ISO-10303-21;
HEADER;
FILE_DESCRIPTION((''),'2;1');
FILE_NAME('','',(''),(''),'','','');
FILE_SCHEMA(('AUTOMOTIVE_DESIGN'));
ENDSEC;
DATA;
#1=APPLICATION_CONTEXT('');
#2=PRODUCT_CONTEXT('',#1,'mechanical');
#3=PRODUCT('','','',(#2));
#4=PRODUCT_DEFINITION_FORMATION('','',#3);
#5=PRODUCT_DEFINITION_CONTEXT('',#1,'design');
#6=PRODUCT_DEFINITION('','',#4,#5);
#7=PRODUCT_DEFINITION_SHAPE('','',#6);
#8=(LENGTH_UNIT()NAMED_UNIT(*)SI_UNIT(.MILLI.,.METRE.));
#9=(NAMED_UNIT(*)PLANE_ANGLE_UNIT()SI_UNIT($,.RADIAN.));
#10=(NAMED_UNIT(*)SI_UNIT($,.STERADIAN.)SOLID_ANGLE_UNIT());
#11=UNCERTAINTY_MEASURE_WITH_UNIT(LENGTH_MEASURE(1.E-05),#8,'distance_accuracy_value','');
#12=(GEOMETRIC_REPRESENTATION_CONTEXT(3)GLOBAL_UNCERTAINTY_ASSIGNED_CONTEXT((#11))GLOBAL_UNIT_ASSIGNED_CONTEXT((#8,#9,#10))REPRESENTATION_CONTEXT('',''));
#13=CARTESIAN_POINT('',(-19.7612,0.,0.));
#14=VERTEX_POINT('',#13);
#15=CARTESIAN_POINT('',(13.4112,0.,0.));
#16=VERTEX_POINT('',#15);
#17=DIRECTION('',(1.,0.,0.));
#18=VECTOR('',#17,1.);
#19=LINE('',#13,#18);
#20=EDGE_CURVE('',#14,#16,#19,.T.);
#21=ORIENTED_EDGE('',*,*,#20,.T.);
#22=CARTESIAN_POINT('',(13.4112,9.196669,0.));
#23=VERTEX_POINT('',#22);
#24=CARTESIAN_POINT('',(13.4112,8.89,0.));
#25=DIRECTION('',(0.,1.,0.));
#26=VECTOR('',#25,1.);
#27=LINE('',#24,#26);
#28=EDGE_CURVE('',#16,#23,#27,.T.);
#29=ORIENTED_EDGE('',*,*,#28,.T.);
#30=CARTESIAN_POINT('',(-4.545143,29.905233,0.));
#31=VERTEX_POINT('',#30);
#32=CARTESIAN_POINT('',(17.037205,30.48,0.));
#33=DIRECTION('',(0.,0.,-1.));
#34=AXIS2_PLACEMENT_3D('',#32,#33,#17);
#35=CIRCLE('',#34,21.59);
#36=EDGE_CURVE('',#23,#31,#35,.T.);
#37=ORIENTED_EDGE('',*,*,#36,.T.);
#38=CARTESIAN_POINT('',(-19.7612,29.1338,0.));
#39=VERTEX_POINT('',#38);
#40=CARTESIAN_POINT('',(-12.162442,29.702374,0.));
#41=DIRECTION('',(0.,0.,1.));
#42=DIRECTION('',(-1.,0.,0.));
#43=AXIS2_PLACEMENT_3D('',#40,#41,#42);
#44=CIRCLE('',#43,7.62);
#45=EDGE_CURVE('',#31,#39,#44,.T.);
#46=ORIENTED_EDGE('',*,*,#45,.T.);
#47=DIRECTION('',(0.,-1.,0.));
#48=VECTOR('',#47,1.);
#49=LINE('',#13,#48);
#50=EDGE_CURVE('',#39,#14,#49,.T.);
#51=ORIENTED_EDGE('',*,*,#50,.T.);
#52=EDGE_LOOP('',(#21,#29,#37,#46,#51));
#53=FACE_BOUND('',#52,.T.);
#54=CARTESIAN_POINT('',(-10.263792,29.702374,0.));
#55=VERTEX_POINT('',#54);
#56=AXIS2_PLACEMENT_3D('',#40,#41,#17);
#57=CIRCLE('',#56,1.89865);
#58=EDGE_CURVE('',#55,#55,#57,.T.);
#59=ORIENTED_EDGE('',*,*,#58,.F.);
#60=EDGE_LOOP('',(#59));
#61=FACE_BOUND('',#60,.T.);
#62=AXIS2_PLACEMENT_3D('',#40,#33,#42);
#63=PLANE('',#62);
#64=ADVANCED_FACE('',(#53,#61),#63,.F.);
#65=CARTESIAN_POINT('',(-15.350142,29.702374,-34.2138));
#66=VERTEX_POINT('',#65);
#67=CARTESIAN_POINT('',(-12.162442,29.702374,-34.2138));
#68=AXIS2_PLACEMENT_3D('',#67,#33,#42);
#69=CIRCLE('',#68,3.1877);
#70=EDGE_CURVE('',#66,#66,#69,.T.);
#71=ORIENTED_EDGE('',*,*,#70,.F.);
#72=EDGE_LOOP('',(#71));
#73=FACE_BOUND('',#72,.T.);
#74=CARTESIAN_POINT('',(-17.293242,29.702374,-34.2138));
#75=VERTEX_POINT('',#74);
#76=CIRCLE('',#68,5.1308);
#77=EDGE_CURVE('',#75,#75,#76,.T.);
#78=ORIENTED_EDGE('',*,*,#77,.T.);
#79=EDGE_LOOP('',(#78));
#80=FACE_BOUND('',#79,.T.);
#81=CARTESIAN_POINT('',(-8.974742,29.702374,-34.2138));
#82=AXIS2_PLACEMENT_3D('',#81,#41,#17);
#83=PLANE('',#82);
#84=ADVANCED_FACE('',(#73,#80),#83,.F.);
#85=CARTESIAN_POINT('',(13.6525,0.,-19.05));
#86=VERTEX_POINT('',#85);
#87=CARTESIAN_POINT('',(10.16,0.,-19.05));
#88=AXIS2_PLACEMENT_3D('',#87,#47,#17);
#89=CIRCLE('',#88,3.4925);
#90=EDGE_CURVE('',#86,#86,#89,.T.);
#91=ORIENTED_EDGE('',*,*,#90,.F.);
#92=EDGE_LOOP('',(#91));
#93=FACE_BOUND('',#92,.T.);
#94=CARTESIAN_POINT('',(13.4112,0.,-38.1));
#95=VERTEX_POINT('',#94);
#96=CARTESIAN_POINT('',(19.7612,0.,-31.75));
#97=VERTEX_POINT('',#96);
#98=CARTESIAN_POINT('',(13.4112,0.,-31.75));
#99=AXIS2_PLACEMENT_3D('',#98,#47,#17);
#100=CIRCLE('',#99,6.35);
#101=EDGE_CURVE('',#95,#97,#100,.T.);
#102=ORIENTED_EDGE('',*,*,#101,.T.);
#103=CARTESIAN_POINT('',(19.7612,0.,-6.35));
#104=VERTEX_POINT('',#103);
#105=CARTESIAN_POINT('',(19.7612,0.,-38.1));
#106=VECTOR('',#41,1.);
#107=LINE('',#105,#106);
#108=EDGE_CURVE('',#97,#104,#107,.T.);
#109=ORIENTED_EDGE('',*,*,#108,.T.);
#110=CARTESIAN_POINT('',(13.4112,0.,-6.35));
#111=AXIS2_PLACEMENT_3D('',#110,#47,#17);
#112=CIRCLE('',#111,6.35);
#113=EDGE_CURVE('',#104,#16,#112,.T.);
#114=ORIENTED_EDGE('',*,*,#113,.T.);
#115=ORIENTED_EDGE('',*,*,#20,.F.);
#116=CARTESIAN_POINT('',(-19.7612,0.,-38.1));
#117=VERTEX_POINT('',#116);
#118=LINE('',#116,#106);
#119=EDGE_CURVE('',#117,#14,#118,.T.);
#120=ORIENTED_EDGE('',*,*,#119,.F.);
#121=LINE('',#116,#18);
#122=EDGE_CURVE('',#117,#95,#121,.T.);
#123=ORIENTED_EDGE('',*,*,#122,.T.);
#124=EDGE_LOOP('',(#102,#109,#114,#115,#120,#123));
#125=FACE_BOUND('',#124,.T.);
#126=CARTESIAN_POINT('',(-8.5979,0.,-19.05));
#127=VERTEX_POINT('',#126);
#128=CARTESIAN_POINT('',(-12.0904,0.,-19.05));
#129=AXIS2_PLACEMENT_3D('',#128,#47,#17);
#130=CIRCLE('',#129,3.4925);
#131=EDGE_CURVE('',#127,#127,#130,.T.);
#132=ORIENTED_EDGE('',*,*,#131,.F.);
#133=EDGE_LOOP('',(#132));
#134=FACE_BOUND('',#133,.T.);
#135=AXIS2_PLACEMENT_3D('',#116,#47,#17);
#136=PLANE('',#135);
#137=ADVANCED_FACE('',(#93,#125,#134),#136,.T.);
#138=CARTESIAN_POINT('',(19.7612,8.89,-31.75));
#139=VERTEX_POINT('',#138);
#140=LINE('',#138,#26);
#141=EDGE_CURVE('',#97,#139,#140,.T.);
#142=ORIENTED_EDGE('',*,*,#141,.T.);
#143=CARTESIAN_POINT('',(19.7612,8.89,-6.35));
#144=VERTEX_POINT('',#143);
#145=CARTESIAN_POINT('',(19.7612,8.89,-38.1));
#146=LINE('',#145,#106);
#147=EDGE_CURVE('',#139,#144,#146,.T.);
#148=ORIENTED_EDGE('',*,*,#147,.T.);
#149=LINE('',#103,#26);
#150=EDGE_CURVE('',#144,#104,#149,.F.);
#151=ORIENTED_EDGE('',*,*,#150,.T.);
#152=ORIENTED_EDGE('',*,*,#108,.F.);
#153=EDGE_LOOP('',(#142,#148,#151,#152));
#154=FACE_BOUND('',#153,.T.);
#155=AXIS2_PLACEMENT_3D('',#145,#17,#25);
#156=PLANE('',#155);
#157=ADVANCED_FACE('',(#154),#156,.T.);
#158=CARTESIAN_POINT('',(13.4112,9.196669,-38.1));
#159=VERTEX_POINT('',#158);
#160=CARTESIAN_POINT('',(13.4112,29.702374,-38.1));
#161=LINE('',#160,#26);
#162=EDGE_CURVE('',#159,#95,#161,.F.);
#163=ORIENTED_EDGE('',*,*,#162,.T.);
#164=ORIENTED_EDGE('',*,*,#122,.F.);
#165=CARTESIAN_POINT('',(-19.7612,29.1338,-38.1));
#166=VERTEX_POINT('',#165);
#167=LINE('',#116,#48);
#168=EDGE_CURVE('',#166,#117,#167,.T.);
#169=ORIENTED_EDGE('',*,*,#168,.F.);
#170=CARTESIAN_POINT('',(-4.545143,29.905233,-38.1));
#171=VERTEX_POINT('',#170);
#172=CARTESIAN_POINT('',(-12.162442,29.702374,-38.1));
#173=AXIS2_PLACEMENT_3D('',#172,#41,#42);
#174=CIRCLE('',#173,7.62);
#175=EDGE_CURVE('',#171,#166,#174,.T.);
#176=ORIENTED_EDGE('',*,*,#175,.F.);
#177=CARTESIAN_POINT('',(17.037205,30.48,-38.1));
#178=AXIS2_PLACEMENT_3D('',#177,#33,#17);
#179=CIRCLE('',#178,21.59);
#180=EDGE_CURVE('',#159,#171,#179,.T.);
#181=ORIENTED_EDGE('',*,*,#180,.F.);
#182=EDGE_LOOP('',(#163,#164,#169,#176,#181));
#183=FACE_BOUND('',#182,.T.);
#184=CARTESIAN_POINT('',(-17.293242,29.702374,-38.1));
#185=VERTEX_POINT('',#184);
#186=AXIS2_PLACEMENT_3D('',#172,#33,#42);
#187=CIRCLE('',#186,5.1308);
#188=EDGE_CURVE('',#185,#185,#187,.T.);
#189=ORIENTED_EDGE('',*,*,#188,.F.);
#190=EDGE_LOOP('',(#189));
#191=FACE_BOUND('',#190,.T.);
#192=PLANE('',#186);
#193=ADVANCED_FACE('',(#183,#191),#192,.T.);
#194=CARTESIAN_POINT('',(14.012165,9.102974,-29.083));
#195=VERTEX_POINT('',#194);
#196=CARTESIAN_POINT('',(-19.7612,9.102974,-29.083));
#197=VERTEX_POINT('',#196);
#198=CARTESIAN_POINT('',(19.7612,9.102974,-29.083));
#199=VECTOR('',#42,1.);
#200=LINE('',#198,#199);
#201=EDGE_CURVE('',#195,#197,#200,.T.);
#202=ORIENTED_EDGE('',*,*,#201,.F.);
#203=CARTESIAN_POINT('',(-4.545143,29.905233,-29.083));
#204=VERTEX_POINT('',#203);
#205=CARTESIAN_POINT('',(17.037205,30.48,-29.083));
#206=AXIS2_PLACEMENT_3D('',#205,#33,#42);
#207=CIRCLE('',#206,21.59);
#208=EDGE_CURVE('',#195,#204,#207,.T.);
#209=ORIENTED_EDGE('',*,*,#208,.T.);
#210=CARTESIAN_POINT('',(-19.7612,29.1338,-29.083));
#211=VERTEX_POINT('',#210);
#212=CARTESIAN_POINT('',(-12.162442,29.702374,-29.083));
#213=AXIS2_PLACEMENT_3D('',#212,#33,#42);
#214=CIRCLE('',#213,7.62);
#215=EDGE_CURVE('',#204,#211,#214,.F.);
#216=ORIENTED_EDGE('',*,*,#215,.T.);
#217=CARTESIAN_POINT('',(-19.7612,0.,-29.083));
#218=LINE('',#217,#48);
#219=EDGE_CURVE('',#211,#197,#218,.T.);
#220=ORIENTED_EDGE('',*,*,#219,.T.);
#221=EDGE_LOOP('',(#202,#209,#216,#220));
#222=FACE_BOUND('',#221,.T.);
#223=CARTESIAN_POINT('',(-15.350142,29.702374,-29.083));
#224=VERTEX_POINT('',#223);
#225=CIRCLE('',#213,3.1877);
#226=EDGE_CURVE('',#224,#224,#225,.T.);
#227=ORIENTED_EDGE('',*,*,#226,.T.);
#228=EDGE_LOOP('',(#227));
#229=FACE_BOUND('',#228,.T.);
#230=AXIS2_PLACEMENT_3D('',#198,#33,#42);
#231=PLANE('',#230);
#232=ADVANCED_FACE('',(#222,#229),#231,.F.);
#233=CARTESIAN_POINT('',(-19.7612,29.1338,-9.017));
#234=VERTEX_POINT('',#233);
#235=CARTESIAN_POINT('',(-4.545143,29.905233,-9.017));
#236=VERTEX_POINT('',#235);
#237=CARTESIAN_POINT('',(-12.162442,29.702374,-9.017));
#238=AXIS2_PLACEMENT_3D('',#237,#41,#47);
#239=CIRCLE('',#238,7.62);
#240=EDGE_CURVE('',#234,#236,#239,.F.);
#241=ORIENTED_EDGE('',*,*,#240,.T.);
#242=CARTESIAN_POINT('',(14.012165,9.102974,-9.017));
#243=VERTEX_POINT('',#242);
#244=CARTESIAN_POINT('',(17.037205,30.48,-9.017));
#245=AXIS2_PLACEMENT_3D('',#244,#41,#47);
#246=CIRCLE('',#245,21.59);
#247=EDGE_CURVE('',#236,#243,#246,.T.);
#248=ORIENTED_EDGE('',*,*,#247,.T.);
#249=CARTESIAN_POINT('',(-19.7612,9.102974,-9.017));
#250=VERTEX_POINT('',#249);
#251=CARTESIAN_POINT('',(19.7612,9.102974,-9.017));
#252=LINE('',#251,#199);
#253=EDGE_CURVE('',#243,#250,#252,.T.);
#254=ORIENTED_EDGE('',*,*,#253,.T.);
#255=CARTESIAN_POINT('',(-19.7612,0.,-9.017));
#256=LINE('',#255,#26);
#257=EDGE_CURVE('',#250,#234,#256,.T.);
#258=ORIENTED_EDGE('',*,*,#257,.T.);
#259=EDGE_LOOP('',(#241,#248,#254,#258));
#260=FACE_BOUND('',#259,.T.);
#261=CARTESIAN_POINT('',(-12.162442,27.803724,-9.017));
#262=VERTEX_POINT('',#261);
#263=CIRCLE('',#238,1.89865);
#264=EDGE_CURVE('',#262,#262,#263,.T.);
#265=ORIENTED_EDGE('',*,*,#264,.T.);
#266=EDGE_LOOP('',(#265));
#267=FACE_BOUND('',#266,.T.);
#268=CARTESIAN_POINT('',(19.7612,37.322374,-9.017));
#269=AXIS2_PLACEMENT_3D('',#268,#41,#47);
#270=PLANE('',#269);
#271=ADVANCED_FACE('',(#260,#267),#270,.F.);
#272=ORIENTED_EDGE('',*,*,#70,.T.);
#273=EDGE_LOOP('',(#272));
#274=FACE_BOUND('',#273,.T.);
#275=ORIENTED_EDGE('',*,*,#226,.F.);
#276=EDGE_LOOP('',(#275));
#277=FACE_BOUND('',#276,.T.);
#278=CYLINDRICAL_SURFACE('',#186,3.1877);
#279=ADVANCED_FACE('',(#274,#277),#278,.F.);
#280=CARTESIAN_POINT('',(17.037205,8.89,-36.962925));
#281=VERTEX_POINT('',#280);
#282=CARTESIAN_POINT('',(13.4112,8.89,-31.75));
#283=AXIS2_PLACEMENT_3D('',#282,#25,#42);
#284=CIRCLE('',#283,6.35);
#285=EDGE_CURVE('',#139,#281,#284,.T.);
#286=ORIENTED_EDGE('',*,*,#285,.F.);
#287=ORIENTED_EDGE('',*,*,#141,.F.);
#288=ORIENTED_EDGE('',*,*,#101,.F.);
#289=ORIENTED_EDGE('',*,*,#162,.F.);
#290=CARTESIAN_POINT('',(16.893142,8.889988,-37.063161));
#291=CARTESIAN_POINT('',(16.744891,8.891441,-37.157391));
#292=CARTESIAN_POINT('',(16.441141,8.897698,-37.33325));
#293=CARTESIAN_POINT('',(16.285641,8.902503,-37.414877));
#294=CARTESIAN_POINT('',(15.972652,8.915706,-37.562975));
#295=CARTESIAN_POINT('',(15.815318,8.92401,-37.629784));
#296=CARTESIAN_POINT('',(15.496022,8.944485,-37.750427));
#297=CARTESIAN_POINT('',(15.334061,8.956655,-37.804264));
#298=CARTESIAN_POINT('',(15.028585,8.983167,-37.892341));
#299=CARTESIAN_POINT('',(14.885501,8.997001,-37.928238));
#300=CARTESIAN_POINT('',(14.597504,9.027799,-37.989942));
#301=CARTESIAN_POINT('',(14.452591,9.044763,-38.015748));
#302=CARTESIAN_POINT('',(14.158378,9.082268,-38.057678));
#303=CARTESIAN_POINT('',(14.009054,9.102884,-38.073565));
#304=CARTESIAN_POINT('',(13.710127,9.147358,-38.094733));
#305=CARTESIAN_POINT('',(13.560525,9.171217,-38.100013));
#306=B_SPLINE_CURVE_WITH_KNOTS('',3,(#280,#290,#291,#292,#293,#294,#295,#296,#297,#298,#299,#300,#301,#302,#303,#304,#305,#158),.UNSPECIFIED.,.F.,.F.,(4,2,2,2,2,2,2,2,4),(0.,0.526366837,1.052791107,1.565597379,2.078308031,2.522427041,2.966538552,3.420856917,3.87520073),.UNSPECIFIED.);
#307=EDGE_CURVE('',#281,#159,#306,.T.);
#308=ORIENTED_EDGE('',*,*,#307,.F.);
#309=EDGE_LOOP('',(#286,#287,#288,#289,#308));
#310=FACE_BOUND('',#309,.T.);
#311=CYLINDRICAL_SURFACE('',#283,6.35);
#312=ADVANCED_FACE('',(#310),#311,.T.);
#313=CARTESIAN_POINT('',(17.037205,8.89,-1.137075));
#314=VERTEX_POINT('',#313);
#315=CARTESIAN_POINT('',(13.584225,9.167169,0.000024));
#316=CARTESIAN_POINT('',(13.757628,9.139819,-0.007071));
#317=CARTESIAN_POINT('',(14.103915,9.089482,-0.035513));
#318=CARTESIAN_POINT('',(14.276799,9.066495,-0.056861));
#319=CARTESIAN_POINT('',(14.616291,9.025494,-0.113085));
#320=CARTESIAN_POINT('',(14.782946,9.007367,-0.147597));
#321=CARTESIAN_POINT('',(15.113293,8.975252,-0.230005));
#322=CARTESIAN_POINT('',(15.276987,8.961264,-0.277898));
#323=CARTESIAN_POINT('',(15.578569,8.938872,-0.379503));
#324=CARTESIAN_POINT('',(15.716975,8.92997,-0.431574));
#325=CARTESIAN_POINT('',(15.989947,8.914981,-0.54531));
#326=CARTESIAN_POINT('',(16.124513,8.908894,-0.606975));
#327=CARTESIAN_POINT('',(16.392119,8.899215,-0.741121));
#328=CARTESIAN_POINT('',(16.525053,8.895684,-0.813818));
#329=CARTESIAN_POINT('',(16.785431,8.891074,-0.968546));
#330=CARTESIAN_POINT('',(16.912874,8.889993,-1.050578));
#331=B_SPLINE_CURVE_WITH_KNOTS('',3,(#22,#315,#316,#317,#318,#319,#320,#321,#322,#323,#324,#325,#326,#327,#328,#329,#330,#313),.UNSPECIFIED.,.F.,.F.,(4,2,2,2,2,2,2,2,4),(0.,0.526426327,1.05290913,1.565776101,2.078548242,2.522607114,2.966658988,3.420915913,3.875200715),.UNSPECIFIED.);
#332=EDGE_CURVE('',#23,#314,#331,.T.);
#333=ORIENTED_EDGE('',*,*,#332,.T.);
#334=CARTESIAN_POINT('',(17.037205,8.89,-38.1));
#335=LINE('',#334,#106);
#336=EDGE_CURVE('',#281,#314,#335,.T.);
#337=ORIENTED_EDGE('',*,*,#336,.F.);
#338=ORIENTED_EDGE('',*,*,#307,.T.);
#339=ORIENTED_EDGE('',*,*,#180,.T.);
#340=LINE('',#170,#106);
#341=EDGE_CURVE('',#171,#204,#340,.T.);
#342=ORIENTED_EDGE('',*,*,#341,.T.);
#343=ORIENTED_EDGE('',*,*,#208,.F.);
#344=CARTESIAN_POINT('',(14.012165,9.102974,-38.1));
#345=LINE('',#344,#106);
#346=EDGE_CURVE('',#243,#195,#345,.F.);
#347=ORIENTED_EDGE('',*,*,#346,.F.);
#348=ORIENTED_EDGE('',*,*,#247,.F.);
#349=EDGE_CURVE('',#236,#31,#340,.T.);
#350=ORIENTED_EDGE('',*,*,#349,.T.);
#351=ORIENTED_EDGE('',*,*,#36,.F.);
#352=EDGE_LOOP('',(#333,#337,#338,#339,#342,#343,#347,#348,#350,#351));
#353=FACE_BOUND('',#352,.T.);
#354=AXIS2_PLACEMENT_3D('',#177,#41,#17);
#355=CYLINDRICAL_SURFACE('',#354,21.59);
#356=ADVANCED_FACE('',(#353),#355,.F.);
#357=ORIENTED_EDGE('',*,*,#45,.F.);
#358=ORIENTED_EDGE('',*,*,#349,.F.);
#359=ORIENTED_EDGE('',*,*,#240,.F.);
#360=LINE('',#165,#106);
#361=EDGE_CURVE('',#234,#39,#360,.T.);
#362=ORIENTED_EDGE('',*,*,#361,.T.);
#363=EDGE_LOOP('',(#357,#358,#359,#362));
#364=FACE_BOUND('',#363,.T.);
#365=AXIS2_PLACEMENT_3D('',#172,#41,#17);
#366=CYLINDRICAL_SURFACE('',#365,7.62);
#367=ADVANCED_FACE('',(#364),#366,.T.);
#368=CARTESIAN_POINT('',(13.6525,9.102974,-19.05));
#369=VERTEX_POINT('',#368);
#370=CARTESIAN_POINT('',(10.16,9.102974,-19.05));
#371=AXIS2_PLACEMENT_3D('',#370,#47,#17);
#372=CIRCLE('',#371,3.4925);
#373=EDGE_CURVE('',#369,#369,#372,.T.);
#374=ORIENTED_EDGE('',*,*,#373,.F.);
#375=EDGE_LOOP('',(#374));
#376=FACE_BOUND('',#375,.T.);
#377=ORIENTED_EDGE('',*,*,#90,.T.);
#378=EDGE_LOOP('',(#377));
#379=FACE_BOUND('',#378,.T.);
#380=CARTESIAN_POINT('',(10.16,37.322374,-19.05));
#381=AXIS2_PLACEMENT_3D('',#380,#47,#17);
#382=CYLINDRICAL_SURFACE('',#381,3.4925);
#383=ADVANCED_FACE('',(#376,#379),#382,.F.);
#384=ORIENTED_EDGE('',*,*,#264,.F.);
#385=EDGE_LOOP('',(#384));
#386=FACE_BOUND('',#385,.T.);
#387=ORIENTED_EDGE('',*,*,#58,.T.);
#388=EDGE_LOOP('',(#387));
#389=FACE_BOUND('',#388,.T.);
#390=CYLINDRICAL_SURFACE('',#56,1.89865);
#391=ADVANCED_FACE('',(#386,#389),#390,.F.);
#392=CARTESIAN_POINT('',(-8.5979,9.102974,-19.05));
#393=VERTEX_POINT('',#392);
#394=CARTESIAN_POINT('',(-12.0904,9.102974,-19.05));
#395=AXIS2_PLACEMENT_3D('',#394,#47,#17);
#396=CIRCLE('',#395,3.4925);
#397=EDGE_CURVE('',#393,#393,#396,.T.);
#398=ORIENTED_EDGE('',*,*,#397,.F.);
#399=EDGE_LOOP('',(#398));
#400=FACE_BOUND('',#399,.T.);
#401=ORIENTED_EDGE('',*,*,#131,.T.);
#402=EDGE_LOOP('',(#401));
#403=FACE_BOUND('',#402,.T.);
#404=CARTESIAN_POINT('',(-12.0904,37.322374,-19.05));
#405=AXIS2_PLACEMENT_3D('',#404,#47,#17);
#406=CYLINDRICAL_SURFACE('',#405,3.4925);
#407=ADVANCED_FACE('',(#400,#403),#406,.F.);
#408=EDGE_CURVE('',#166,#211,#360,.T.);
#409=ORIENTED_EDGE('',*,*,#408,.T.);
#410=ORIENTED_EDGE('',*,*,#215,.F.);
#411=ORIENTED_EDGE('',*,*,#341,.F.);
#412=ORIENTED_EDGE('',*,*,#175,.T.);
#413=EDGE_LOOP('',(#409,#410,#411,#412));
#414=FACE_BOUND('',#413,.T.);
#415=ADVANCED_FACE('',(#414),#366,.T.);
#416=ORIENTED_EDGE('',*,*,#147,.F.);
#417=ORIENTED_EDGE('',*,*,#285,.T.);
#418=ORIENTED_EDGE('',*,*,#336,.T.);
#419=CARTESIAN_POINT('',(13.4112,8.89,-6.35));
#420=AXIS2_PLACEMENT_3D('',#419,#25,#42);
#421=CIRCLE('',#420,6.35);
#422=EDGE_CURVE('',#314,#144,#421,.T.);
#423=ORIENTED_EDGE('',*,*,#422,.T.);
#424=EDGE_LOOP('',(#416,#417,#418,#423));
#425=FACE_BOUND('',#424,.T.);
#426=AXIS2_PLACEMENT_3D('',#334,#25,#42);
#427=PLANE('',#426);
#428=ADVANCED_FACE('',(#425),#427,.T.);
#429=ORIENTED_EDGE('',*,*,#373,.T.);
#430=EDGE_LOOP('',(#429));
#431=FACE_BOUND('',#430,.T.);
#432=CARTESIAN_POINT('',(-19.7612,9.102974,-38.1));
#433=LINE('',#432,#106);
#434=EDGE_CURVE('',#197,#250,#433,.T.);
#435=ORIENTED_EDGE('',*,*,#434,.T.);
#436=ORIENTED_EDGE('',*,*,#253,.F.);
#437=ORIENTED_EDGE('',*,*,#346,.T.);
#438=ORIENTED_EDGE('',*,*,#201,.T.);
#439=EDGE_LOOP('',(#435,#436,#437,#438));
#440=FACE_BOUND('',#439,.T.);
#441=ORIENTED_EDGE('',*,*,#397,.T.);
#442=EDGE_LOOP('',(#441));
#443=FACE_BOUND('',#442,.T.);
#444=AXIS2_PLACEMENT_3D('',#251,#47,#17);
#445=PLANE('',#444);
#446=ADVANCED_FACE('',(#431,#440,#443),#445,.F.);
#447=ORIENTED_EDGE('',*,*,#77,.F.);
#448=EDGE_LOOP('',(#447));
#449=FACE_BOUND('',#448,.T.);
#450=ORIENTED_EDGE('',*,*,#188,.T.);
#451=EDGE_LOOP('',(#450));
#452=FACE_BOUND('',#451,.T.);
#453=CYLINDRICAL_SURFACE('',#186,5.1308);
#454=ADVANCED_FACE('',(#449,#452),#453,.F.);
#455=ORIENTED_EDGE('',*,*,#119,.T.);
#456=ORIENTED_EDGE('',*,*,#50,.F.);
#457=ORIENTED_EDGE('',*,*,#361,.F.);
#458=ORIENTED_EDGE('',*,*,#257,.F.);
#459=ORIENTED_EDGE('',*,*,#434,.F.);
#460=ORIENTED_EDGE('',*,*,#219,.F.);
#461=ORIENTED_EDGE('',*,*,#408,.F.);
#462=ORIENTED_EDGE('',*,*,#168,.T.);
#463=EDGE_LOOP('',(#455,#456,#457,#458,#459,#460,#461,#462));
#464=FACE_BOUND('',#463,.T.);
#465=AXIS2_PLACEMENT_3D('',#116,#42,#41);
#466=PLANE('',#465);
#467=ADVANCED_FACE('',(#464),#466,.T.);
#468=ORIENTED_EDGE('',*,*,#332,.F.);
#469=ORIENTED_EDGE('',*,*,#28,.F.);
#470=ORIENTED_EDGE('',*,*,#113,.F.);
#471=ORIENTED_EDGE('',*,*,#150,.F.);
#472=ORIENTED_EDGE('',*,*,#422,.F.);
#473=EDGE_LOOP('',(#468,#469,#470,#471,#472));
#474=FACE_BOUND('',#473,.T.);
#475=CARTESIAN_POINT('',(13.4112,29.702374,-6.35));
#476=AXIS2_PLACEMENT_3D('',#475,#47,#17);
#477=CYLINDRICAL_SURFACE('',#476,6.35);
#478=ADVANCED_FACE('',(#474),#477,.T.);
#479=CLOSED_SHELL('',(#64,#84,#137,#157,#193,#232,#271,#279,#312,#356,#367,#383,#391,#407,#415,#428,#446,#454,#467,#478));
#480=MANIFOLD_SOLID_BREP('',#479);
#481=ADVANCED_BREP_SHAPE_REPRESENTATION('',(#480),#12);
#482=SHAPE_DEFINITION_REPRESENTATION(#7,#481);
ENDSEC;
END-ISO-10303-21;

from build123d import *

# Parameters (mm, degrees)
BOSS_EXTRUDE1_DEPTH                              = 38.1
SKETCH3_W                                        = 20.066
SKETCH3_H                                        = 28.2194
CUT_EXTRUDE1_DEPTH                               = 1.021241984
CUT_EXTRUDE1_DEPTH_BACK                          = 40.5224
F_10_24_TAPPED_HOLE1_D                           = 3.7973
F_10_24_TAPPED_HOLE1_DEPTH                       = 12.954
F_10_24_TAPPED_HOLE1_TIP                         = 1.140824014
CBORE_FOR_1_4_SOCKET_SHOULDER_SCREW1_D           = 6.3754
CBORE_FOR_1_4_SOCKET_SHOULDER_SCREW1_DEPTH       = 9.017
CBORE_FOR_1_4_SOCKET_SHOULDER_SCREW1_CBORE_D     = 10.2616
CBORE_FOR_1_4_SOCKET_SHOULDER_SCREW1_CBORE_DEPTH = 3.8862
SKETCH13_R                                       = 3.4925
CUT_EXTRUDE2_DEPTH                               = 38.322374195
FILLET1_R                                        = 6.35


with BuildPart() as part:
    # Sketch1 → Boss-Extrude1 (new body)
    with BuildSketch(Plane.XY):
        with BuildLine():
            Line((-19.7612, 0), (19.7612, 0))
            Line((19.7612, 0), (19.7612, 8.89))
            Line((19.7612, 8.89), (17.037205242, 8.89))
            ThreePointArc((17.037205242, 8.89), (1.975351394, 15.011688564), (-4.545142708, 29.905233101))
            ThreePointArc((-4.545142708, 29.905233101), (-12.548269927, 37.3126), (-19.7612, 29.1338))
            Line((-19.7612, 29.1338), (-19.7612, 0))
        make_face()
    extrude(amount=-BOSS_EXTRUDE1_DEPTH)

    # Sketch3 → Cut-Extrude1 (cut, two sides)
    with BuildSketch(Plane.ZY.offset(19.7612)) as cut_extrude1_sk:
        with Locations((-19.05, 23.212674195)):
            Rectangle(SKETCH3_W, SKETCH3_H)
    extrude(amount=CUT_EXTRUDE1_DEPTH, mode=Mode.SUBTRACT)
    extrude(cut_extrude1_sk.sketch, amount=-CUT_EXTRUDE1_DEPTH_BACK, mode=Mode.SUBTRACT)

    # #10-24 Tapped Hole1
    with Locations(Plane.XY):
        with Locations((-12.162441984, 29.702374195)):
            Hole(F_10_24_TAPPED_HOLE1_D / 2, depth=F_10_24_TAPPED_HOLE1_DEPTH)
            with Locations((0, 0, -(F_10_24_TAPPED_HOLE1_DEPTH + F_10_24_TAPPED_HOLE1_TIP / 2))):  # 118° drill point
                Cone(0, F_10_24_TAPPED_HOLE1_D / 2, F_10_24_TAPPED_HOLE1_TIP, mode=Mode.SUBTRACT)

    # CBORE for 1/4 Socket Shoulder Screw1
    with Locations(Plane(origin=(0, 0, -38.1), x_dir=(-1, 0, 0), z_dir=(0, 0, -1))):
        with Locations((12.162441984, 29.702374195)):
            CounterBoreHole(CBORE_FOR_1_4_SOCKET_SHOULDER_SCREW1_D / 2, CBORE_FOR_1_4_SOCKET_SHOULDER_SCREW1_CBORE_D / 2, CBORE_FOR_1_4_SOCKET_SHOULDER_SCREW1_CBORE_DEPTH, depth=CBORE_FOR_1_4_SOCKET_SHOULDER_SCREW1_DEPTH)

    # Sketch13 → Cut-Extrude2 (cut, through all)
    with BuildSketch(Plane.XZ):
        with Locations((-12.0904, -19.05)):
            Circle(SKETCH13_R)
        with Locations((10.16, -19.05)):
            Circle(SKETCH13_R)
    extrude(amount=-CUT_EXTRUDE2_DEPTH, mode=Mode.SUBTRACT)

    # Fillet1
    fillet1_edges = [part.edges().sort_by_distance(p)[0] for p in [
        (19.7612, 4.445, -38.1),
        (19.7612, 4.445, 0),
    ]]
    fillet(fillet1_edges, radius=FILLET1_R)


solid = part.part
